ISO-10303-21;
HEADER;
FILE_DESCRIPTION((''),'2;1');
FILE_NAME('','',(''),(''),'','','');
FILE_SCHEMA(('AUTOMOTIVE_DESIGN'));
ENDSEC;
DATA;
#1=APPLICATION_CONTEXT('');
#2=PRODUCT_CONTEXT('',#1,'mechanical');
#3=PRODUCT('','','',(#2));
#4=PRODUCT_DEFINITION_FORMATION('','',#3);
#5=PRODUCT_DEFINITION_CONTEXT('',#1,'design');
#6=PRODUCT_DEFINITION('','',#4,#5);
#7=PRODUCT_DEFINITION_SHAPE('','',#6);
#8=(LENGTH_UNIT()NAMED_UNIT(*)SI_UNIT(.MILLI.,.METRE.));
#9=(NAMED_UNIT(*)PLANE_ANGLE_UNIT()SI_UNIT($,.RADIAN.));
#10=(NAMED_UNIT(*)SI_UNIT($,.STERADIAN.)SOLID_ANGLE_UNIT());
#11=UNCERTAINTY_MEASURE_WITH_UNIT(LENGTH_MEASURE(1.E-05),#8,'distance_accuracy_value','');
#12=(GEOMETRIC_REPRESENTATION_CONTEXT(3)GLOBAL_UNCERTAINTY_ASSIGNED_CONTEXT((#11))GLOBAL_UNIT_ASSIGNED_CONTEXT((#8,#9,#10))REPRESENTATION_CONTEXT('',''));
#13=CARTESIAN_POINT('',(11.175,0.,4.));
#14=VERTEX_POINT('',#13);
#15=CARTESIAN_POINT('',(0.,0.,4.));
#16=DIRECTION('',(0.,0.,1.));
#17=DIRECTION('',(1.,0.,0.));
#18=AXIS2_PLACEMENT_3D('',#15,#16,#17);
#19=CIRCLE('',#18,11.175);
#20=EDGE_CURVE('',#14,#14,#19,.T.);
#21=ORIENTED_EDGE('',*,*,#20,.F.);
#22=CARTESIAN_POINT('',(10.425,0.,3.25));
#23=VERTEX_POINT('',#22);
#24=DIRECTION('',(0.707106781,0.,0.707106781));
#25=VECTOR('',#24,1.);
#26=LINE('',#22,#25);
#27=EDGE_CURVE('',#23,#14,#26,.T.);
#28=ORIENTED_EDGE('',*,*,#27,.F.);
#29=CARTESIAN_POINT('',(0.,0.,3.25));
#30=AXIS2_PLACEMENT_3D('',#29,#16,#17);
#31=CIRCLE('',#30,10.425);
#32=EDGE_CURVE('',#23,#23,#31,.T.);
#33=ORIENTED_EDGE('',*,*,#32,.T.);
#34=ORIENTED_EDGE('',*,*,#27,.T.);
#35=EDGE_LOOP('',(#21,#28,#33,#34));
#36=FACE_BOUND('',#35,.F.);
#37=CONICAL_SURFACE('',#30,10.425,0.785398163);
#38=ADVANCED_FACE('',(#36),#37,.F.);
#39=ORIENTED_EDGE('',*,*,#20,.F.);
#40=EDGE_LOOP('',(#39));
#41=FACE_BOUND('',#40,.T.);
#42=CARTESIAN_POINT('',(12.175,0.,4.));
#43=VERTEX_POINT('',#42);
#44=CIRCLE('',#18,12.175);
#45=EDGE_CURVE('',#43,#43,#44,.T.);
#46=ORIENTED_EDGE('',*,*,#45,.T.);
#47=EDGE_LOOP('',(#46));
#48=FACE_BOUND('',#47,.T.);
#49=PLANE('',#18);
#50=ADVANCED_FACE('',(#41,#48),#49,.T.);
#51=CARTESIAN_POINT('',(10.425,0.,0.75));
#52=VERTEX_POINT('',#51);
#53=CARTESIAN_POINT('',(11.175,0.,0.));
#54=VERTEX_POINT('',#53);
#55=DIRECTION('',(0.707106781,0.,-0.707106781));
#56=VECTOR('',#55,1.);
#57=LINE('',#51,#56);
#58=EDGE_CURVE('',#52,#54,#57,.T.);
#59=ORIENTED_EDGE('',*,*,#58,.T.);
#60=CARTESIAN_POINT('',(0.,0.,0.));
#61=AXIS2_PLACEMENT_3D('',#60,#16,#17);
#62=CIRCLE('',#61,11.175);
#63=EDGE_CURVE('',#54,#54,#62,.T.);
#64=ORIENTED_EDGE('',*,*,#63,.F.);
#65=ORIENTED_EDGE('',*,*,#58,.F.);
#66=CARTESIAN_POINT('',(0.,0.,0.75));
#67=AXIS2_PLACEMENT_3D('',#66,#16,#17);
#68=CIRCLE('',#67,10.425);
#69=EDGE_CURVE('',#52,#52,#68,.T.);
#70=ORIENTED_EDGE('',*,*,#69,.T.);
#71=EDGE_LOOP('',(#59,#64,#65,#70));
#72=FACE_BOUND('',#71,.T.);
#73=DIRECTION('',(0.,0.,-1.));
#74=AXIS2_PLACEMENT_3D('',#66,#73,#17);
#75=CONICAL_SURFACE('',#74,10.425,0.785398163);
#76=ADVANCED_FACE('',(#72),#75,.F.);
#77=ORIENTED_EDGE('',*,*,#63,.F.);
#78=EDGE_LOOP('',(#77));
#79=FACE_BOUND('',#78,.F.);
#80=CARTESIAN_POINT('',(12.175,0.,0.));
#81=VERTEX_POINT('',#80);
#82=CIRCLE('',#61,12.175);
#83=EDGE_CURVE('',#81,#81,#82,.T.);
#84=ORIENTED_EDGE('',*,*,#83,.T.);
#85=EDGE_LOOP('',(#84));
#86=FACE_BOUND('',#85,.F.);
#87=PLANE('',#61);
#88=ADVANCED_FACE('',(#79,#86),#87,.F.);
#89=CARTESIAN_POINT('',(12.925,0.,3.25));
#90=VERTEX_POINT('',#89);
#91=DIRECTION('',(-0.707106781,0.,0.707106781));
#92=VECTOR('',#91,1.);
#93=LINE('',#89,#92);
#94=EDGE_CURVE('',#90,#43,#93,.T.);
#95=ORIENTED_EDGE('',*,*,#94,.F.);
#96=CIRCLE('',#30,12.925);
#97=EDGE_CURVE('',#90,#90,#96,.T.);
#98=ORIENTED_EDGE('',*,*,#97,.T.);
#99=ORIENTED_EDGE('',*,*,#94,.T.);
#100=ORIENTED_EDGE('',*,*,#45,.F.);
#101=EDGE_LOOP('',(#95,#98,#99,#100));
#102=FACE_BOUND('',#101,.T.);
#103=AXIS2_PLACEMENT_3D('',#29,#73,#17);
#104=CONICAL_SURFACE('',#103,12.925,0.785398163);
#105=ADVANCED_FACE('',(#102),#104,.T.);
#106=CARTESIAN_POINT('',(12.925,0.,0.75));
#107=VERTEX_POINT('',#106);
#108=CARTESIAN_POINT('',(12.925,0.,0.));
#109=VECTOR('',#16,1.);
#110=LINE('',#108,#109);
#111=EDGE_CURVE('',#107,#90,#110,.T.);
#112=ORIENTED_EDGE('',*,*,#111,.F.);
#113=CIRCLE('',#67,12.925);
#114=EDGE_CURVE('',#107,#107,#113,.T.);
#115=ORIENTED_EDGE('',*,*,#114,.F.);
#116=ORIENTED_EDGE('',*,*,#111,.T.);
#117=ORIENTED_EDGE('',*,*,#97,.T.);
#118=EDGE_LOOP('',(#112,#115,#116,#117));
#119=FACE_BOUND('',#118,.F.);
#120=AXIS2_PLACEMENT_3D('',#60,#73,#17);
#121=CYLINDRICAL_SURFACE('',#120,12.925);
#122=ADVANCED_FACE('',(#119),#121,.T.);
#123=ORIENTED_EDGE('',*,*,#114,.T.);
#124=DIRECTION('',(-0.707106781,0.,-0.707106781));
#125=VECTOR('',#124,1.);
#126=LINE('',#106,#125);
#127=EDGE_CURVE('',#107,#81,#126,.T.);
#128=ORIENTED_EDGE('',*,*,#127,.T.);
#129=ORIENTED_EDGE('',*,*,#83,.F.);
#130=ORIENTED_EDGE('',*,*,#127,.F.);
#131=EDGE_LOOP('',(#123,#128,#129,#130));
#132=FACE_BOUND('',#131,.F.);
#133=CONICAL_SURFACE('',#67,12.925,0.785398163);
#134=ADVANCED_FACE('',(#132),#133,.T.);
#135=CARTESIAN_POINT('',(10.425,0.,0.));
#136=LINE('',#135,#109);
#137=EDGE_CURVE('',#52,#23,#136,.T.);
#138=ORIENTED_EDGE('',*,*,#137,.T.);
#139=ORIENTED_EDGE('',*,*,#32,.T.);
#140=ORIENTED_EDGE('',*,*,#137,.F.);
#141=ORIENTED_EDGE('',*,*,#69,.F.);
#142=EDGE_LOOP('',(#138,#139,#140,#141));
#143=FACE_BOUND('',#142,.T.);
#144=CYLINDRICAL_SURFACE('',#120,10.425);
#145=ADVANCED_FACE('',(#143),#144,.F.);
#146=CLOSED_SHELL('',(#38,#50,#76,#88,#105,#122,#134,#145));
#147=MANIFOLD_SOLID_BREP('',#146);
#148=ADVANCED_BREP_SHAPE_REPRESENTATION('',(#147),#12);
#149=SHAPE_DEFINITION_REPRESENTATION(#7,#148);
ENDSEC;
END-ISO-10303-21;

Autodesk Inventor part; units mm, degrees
ref_plane "YZ Plane" through (0, 0, 0) normal (1, 0, 0) x (0, 1, 0)
ref_plane "XZ Plane" through (0, 0, 0) normal (0, 1, 0) x (-1, 0, 0)
ref_plane "XY Plane" through (0, 0, 0) normal (0, 0, 1) x (1, 0, 0)
sketch "Sketch1" plane through (0, 0, 0) normal (0, 0, 1) x (1, 0, 0)
  circle A0 centre (0, 0) radius 12.925
  circle A1 centre (0, 0) radius 10.425
  dimension "d0" = 25.85
  dimension "d1" = 2.5
extrude "Extrusion1" add sketch "Sketch1" along normal blind 4
chamfer "Chamfer1" distance 0.75 angle 45 4 edges at (-12.925, 0, 0) (-12.925, 0, 4) (-10.425, 0, 4) (-10.425, 0, 0)
properties part number "RegulatorBaffleCap"
